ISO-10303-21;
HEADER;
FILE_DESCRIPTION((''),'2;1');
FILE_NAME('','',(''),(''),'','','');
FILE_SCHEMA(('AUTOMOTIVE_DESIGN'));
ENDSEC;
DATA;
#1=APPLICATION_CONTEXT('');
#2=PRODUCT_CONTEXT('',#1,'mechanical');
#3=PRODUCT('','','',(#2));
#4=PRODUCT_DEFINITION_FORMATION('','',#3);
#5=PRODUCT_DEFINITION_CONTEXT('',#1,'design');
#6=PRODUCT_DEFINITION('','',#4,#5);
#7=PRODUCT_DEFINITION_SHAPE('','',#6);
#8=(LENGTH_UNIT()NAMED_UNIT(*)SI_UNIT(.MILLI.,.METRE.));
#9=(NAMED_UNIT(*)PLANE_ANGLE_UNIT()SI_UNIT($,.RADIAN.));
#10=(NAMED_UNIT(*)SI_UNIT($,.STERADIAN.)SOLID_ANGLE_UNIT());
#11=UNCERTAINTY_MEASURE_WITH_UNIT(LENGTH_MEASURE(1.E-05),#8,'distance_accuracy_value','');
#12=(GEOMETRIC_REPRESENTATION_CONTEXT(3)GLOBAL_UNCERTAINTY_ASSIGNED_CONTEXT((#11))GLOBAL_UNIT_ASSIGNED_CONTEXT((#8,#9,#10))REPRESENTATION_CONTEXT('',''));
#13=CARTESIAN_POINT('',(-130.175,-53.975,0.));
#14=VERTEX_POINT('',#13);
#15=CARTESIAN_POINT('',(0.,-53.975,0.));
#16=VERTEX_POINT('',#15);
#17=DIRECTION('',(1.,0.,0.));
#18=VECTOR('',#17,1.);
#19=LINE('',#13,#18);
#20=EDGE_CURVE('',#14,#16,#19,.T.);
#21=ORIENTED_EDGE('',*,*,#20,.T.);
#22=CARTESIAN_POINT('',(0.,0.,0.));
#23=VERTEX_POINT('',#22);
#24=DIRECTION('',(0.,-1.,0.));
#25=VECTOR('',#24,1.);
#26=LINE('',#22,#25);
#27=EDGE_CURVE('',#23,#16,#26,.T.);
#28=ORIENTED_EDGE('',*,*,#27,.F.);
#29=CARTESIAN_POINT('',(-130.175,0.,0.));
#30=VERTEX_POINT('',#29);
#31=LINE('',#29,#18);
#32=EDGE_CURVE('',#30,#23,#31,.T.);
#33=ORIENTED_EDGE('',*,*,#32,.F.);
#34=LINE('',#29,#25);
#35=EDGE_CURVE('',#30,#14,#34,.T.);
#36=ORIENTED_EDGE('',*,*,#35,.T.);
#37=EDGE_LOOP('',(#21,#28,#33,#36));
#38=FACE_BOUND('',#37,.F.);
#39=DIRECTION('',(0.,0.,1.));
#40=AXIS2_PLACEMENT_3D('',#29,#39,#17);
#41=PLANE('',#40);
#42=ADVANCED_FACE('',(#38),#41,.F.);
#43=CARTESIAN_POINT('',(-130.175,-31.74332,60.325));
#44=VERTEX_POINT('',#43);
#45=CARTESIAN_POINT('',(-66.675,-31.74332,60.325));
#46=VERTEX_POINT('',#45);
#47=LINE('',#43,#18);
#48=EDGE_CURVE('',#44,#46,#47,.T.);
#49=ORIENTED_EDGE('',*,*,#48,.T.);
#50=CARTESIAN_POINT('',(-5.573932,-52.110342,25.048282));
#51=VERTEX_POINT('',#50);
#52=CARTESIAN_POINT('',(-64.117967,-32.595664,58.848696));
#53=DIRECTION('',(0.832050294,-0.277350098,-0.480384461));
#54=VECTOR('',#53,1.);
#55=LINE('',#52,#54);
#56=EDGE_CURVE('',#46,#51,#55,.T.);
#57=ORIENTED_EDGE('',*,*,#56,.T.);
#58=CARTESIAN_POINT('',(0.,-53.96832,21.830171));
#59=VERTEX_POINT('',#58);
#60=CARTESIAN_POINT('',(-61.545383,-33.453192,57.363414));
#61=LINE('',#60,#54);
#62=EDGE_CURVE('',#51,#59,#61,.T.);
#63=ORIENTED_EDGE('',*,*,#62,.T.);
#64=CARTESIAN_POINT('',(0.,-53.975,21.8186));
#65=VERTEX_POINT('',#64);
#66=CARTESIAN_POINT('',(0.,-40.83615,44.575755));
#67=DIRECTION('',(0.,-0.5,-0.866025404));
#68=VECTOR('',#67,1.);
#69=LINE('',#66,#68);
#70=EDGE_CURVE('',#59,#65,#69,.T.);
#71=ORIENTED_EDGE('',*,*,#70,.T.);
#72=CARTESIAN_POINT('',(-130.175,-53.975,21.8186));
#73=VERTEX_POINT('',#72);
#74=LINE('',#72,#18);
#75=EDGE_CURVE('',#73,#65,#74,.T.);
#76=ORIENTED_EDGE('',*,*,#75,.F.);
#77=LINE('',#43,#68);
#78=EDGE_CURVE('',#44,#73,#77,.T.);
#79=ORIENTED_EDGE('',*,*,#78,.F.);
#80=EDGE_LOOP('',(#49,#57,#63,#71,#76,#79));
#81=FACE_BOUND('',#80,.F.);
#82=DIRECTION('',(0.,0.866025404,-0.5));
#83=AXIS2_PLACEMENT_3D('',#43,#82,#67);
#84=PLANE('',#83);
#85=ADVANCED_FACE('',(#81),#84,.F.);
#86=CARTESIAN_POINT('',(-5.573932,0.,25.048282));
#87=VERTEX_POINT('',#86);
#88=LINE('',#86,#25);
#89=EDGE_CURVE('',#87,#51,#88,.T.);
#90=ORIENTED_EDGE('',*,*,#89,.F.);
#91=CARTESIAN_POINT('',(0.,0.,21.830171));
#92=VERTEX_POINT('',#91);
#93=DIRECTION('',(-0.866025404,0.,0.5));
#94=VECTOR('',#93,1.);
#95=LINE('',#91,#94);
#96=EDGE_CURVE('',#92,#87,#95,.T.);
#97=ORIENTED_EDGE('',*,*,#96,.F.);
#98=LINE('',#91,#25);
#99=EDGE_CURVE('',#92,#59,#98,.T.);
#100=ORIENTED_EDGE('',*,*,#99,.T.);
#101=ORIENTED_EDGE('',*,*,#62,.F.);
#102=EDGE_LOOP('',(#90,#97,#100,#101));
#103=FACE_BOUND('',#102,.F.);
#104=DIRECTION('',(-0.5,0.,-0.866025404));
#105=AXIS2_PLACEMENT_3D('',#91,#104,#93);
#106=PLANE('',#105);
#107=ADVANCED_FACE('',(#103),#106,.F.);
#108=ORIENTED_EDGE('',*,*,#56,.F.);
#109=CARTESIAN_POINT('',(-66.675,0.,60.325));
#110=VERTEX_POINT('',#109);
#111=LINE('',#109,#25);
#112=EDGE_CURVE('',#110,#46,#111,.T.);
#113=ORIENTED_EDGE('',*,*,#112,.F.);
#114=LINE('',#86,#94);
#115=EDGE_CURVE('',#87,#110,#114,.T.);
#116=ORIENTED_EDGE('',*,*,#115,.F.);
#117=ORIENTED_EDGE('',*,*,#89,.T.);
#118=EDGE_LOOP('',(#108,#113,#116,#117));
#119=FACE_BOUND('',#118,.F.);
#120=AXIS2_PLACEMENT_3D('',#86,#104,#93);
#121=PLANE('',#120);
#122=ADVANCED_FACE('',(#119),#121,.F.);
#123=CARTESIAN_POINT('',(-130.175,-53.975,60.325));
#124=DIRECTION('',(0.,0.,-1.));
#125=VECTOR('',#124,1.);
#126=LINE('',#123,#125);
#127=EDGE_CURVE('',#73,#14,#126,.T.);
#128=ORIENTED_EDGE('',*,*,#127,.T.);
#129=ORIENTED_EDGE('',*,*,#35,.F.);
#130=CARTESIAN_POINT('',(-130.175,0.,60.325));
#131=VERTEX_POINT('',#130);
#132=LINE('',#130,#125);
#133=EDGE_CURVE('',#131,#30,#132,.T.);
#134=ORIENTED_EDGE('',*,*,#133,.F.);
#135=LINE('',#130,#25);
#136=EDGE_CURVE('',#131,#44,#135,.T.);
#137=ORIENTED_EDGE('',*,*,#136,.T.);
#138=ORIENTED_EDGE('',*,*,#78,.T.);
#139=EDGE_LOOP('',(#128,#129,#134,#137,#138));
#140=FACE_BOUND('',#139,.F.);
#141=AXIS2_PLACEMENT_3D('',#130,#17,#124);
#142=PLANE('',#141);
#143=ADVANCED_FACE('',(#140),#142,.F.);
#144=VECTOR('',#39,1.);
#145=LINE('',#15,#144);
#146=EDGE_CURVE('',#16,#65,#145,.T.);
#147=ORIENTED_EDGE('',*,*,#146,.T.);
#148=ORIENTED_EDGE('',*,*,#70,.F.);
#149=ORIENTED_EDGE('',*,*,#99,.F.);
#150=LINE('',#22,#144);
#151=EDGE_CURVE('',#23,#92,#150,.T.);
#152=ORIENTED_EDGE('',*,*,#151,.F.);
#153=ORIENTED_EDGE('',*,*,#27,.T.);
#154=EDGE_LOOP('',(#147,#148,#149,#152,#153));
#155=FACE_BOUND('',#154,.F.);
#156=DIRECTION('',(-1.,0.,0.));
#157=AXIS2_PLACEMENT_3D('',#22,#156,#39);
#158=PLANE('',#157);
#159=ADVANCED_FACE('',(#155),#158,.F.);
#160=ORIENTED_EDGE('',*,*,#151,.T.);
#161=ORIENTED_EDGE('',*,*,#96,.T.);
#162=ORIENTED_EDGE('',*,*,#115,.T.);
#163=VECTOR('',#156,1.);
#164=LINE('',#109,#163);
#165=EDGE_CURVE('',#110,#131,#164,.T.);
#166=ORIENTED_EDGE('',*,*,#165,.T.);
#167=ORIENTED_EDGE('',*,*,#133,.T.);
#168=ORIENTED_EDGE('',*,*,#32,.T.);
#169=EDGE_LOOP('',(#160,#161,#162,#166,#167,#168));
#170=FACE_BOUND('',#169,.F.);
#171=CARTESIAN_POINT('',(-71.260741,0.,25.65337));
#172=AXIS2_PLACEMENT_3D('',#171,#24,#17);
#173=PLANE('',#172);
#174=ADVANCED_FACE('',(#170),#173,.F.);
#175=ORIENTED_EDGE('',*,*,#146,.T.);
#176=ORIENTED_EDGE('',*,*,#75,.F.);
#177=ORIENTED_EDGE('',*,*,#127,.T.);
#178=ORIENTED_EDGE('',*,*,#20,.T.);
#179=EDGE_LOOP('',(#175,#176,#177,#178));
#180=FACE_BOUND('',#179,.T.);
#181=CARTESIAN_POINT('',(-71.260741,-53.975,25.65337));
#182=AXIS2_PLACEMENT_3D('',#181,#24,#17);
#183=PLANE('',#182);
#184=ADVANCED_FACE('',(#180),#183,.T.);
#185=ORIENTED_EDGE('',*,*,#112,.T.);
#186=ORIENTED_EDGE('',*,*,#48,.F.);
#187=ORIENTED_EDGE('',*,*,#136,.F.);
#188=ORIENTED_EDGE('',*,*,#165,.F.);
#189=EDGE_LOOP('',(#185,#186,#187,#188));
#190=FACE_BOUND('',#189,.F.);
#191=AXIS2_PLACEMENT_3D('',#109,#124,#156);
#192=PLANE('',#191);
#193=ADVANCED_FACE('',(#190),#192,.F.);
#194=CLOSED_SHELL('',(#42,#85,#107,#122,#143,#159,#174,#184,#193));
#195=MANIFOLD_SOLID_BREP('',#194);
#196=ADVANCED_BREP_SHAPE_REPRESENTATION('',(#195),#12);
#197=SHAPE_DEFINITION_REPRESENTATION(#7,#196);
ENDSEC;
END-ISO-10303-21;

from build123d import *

# Parameters (mm, degrees)
F1_DEPTH = 53.975
F3_DEPTH = 130.176


with BuildPart() as f1:
    # F0 (on Front) → F1 (new body)
    with BuildSketch(Plane.XZ):
        Polygon((-130.175, 0), (0, 0), (0, 21.8301708018), (-5.5739317977, 25.0482818256), (-66.675, 60.325), (-130.175, 60.325), align=None)
    extrude(amount=F1_DEPTH)

    # F2 (on face) → F3 (cut, through all)
    with BuildSketch(Plane(origin=(-130.175, 0, 0), x_dir=(0, -1, 0), z_dir=(-1, 0, 0))):
        Polygon((31.7433195945, 60.325), (53.975, 21.8186), (53.975, 60.325), align=None)
    extrude(amount=-F3_DEPTH, mode=Mode.SUBTRACT)


solid = f1.part
